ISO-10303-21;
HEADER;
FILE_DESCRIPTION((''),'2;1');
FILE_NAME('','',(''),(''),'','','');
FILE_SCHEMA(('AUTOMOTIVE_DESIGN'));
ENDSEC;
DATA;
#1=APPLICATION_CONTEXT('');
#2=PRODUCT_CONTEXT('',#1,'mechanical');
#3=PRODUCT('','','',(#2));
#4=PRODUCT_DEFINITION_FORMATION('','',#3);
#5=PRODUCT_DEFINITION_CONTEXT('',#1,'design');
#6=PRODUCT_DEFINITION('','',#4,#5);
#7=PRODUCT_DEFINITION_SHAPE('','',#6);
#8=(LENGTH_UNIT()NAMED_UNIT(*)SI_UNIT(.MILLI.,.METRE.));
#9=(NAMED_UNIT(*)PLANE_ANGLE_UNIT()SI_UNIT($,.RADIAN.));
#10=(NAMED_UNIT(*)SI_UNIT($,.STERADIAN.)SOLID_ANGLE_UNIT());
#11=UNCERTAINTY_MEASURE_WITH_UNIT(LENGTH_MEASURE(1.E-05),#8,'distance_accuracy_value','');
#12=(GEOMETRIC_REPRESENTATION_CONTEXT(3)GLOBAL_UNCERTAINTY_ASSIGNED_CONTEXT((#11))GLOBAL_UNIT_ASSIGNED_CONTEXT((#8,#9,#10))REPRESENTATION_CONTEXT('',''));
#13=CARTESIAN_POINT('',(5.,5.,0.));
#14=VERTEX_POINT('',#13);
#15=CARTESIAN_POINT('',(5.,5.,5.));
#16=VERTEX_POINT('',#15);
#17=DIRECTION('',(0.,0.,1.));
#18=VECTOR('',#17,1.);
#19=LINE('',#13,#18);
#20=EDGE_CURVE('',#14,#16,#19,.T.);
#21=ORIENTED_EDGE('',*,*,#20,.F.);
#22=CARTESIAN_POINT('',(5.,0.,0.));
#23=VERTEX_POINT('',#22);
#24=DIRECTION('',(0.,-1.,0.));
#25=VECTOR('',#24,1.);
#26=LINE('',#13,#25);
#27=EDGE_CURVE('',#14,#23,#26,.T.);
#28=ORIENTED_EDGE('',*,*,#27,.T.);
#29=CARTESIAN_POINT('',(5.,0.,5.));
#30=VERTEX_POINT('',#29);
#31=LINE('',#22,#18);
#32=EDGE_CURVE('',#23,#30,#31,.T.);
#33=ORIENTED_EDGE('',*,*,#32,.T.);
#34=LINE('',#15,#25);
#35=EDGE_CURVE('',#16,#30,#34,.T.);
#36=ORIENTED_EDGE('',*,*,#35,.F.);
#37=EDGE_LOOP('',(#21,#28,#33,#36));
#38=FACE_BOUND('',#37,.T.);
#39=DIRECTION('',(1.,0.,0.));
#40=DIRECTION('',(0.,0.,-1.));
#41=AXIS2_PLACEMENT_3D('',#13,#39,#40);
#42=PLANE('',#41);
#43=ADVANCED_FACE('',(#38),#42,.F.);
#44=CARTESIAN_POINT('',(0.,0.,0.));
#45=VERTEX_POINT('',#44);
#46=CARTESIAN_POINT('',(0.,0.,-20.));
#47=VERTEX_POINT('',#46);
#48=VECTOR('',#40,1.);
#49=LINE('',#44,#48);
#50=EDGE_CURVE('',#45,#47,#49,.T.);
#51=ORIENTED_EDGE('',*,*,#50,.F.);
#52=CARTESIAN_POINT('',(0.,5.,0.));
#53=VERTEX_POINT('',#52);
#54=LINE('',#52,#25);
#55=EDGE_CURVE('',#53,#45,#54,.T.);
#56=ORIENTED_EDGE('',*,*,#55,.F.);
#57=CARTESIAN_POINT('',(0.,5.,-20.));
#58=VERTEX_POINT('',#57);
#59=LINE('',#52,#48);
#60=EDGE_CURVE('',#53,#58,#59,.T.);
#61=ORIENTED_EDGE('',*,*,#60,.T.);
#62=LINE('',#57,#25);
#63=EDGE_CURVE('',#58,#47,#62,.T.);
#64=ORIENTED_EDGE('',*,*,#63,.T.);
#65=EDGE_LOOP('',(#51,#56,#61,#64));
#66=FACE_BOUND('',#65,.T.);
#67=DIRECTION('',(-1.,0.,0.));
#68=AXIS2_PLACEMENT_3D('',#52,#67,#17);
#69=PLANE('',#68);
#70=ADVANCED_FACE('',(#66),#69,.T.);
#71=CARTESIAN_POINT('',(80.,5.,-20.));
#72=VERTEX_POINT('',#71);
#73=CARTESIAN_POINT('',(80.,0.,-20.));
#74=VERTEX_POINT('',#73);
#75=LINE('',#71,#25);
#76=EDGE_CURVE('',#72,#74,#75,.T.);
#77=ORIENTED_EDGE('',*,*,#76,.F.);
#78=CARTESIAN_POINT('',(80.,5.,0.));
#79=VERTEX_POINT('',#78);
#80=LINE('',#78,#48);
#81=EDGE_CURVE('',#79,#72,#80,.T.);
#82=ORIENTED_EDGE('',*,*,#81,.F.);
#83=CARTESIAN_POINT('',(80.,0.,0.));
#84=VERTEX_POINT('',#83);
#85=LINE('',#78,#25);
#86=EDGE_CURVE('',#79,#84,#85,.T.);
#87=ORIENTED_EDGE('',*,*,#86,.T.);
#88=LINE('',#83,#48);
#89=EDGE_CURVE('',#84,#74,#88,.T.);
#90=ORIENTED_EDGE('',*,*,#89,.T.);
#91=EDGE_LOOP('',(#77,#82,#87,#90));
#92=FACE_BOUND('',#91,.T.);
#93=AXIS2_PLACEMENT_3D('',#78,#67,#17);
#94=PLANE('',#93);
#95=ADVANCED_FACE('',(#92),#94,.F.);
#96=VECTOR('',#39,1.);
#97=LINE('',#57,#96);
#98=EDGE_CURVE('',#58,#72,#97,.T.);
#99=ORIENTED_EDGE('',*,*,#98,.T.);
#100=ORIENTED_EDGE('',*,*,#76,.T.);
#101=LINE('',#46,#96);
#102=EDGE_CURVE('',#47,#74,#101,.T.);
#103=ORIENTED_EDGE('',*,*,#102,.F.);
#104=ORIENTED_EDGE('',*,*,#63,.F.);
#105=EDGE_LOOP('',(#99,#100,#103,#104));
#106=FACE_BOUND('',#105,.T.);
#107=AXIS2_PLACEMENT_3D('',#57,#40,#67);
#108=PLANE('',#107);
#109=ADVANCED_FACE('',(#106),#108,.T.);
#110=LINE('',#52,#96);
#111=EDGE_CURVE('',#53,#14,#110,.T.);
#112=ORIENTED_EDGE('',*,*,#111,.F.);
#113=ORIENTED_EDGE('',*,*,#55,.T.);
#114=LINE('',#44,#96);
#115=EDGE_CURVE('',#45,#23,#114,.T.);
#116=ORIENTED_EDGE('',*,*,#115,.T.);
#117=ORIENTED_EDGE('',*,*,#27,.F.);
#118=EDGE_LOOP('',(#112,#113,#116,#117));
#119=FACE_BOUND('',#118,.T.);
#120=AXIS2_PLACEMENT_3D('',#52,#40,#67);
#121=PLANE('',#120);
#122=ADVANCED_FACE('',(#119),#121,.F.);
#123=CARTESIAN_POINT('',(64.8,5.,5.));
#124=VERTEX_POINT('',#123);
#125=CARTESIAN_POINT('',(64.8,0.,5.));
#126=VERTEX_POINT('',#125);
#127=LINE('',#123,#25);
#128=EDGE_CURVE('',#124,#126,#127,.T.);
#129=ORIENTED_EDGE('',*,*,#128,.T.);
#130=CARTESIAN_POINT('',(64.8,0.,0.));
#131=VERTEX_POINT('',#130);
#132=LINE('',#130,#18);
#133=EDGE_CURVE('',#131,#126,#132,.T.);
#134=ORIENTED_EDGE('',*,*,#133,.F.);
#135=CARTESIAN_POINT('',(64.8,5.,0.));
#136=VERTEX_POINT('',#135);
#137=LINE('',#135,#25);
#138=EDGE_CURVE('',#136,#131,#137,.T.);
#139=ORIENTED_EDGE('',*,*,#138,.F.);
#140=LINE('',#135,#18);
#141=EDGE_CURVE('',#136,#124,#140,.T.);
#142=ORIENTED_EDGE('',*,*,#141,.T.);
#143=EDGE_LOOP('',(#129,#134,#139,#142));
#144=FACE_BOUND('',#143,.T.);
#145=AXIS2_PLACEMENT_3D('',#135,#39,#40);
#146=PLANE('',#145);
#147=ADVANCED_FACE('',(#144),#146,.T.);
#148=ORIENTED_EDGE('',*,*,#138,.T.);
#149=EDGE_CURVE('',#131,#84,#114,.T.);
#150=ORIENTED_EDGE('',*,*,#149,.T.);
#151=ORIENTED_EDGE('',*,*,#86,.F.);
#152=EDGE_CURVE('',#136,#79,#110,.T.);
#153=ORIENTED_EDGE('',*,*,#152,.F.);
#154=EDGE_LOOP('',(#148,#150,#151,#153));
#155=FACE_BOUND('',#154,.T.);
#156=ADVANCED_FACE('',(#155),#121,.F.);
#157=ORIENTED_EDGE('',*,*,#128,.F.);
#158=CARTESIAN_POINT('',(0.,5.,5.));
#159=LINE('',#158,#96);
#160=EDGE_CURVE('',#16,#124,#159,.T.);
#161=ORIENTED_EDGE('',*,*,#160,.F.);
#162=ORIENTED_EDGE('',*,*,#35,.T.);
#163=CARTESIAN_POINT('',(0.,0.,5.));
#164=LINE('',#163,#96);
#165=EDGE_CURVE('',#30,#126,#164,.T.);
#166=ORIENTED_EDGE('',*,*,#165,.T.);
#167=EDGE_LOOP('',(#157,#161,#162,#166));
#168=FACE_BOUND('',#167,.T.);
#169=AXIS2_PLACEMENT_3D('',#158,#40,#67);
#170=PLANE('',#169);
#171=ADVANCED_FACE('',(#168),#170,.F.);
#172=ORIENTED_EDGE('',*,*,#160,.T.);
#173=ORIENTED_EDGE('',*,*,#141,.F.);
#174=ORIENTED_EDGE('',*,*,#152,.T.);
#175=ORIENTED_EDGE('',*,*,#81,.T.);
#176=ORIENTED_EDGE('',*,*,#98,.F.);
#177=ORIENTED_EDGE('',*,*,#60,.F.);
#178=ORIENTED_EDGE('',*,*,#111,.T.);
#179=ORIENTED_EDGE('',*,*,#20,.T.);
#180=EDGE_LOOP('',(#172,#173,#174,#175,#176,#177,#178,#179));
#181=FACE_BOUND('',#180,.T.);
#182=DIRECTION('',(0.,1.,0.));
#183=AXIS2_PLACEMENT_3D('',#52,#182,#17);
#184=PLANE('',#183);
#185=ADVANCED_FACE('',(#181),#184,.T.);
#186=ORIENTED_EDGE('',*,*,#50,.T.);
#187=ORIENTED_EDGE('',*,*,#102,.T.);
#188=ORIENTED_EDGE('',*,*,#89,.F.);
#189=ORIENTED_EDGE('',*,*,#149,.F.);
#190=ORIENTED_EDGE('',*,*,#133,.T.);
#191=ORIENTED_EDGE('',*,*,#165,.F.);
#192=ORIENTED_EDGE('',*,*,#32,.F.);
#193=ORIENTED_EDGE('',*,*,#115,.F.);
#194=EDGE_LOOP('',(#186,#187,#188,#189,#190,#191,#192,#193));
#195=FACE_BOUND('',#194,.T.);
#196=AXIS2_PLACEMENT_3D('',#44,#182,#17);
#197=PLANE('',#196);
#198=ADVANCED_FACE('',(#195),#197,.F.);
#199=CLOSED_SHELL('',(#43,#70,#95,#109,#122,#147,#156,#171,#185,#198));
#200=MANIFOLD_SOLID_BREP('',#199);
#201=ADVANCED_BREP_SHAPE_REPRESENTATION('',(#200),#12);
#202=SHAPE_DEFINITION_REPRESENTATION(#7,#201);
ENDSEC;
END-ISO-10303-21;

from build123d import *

# Parameters (mm, degrees)
SKETCH1_W           = 80
SKETCH1_H           = 20
SKETCH1_W_2         = 59.8
SKETCH1_H_2         = 5
BOSS_EXTRUDE1_DEPTH = 5


with BuildPart() as part:
    # Sketch1 → Boss-Extrude1 (new body)
    with BuildSketch(Plane(origin=(0, 0, 0), x_dir=(1, 0, 0), z_dir=(0, 1, 0))):
        with Locations((40, 10)):
            Rectangle(SKETCH1_W, SKETCH1_H)
        with Locations((34.9, -2.5)):
            Rectangle(SKETCH1_W_2, SKETCH1_H_2)
    extrude(amount=BOSS_EXTRUDE1_DEPTH)


solid = part.part
